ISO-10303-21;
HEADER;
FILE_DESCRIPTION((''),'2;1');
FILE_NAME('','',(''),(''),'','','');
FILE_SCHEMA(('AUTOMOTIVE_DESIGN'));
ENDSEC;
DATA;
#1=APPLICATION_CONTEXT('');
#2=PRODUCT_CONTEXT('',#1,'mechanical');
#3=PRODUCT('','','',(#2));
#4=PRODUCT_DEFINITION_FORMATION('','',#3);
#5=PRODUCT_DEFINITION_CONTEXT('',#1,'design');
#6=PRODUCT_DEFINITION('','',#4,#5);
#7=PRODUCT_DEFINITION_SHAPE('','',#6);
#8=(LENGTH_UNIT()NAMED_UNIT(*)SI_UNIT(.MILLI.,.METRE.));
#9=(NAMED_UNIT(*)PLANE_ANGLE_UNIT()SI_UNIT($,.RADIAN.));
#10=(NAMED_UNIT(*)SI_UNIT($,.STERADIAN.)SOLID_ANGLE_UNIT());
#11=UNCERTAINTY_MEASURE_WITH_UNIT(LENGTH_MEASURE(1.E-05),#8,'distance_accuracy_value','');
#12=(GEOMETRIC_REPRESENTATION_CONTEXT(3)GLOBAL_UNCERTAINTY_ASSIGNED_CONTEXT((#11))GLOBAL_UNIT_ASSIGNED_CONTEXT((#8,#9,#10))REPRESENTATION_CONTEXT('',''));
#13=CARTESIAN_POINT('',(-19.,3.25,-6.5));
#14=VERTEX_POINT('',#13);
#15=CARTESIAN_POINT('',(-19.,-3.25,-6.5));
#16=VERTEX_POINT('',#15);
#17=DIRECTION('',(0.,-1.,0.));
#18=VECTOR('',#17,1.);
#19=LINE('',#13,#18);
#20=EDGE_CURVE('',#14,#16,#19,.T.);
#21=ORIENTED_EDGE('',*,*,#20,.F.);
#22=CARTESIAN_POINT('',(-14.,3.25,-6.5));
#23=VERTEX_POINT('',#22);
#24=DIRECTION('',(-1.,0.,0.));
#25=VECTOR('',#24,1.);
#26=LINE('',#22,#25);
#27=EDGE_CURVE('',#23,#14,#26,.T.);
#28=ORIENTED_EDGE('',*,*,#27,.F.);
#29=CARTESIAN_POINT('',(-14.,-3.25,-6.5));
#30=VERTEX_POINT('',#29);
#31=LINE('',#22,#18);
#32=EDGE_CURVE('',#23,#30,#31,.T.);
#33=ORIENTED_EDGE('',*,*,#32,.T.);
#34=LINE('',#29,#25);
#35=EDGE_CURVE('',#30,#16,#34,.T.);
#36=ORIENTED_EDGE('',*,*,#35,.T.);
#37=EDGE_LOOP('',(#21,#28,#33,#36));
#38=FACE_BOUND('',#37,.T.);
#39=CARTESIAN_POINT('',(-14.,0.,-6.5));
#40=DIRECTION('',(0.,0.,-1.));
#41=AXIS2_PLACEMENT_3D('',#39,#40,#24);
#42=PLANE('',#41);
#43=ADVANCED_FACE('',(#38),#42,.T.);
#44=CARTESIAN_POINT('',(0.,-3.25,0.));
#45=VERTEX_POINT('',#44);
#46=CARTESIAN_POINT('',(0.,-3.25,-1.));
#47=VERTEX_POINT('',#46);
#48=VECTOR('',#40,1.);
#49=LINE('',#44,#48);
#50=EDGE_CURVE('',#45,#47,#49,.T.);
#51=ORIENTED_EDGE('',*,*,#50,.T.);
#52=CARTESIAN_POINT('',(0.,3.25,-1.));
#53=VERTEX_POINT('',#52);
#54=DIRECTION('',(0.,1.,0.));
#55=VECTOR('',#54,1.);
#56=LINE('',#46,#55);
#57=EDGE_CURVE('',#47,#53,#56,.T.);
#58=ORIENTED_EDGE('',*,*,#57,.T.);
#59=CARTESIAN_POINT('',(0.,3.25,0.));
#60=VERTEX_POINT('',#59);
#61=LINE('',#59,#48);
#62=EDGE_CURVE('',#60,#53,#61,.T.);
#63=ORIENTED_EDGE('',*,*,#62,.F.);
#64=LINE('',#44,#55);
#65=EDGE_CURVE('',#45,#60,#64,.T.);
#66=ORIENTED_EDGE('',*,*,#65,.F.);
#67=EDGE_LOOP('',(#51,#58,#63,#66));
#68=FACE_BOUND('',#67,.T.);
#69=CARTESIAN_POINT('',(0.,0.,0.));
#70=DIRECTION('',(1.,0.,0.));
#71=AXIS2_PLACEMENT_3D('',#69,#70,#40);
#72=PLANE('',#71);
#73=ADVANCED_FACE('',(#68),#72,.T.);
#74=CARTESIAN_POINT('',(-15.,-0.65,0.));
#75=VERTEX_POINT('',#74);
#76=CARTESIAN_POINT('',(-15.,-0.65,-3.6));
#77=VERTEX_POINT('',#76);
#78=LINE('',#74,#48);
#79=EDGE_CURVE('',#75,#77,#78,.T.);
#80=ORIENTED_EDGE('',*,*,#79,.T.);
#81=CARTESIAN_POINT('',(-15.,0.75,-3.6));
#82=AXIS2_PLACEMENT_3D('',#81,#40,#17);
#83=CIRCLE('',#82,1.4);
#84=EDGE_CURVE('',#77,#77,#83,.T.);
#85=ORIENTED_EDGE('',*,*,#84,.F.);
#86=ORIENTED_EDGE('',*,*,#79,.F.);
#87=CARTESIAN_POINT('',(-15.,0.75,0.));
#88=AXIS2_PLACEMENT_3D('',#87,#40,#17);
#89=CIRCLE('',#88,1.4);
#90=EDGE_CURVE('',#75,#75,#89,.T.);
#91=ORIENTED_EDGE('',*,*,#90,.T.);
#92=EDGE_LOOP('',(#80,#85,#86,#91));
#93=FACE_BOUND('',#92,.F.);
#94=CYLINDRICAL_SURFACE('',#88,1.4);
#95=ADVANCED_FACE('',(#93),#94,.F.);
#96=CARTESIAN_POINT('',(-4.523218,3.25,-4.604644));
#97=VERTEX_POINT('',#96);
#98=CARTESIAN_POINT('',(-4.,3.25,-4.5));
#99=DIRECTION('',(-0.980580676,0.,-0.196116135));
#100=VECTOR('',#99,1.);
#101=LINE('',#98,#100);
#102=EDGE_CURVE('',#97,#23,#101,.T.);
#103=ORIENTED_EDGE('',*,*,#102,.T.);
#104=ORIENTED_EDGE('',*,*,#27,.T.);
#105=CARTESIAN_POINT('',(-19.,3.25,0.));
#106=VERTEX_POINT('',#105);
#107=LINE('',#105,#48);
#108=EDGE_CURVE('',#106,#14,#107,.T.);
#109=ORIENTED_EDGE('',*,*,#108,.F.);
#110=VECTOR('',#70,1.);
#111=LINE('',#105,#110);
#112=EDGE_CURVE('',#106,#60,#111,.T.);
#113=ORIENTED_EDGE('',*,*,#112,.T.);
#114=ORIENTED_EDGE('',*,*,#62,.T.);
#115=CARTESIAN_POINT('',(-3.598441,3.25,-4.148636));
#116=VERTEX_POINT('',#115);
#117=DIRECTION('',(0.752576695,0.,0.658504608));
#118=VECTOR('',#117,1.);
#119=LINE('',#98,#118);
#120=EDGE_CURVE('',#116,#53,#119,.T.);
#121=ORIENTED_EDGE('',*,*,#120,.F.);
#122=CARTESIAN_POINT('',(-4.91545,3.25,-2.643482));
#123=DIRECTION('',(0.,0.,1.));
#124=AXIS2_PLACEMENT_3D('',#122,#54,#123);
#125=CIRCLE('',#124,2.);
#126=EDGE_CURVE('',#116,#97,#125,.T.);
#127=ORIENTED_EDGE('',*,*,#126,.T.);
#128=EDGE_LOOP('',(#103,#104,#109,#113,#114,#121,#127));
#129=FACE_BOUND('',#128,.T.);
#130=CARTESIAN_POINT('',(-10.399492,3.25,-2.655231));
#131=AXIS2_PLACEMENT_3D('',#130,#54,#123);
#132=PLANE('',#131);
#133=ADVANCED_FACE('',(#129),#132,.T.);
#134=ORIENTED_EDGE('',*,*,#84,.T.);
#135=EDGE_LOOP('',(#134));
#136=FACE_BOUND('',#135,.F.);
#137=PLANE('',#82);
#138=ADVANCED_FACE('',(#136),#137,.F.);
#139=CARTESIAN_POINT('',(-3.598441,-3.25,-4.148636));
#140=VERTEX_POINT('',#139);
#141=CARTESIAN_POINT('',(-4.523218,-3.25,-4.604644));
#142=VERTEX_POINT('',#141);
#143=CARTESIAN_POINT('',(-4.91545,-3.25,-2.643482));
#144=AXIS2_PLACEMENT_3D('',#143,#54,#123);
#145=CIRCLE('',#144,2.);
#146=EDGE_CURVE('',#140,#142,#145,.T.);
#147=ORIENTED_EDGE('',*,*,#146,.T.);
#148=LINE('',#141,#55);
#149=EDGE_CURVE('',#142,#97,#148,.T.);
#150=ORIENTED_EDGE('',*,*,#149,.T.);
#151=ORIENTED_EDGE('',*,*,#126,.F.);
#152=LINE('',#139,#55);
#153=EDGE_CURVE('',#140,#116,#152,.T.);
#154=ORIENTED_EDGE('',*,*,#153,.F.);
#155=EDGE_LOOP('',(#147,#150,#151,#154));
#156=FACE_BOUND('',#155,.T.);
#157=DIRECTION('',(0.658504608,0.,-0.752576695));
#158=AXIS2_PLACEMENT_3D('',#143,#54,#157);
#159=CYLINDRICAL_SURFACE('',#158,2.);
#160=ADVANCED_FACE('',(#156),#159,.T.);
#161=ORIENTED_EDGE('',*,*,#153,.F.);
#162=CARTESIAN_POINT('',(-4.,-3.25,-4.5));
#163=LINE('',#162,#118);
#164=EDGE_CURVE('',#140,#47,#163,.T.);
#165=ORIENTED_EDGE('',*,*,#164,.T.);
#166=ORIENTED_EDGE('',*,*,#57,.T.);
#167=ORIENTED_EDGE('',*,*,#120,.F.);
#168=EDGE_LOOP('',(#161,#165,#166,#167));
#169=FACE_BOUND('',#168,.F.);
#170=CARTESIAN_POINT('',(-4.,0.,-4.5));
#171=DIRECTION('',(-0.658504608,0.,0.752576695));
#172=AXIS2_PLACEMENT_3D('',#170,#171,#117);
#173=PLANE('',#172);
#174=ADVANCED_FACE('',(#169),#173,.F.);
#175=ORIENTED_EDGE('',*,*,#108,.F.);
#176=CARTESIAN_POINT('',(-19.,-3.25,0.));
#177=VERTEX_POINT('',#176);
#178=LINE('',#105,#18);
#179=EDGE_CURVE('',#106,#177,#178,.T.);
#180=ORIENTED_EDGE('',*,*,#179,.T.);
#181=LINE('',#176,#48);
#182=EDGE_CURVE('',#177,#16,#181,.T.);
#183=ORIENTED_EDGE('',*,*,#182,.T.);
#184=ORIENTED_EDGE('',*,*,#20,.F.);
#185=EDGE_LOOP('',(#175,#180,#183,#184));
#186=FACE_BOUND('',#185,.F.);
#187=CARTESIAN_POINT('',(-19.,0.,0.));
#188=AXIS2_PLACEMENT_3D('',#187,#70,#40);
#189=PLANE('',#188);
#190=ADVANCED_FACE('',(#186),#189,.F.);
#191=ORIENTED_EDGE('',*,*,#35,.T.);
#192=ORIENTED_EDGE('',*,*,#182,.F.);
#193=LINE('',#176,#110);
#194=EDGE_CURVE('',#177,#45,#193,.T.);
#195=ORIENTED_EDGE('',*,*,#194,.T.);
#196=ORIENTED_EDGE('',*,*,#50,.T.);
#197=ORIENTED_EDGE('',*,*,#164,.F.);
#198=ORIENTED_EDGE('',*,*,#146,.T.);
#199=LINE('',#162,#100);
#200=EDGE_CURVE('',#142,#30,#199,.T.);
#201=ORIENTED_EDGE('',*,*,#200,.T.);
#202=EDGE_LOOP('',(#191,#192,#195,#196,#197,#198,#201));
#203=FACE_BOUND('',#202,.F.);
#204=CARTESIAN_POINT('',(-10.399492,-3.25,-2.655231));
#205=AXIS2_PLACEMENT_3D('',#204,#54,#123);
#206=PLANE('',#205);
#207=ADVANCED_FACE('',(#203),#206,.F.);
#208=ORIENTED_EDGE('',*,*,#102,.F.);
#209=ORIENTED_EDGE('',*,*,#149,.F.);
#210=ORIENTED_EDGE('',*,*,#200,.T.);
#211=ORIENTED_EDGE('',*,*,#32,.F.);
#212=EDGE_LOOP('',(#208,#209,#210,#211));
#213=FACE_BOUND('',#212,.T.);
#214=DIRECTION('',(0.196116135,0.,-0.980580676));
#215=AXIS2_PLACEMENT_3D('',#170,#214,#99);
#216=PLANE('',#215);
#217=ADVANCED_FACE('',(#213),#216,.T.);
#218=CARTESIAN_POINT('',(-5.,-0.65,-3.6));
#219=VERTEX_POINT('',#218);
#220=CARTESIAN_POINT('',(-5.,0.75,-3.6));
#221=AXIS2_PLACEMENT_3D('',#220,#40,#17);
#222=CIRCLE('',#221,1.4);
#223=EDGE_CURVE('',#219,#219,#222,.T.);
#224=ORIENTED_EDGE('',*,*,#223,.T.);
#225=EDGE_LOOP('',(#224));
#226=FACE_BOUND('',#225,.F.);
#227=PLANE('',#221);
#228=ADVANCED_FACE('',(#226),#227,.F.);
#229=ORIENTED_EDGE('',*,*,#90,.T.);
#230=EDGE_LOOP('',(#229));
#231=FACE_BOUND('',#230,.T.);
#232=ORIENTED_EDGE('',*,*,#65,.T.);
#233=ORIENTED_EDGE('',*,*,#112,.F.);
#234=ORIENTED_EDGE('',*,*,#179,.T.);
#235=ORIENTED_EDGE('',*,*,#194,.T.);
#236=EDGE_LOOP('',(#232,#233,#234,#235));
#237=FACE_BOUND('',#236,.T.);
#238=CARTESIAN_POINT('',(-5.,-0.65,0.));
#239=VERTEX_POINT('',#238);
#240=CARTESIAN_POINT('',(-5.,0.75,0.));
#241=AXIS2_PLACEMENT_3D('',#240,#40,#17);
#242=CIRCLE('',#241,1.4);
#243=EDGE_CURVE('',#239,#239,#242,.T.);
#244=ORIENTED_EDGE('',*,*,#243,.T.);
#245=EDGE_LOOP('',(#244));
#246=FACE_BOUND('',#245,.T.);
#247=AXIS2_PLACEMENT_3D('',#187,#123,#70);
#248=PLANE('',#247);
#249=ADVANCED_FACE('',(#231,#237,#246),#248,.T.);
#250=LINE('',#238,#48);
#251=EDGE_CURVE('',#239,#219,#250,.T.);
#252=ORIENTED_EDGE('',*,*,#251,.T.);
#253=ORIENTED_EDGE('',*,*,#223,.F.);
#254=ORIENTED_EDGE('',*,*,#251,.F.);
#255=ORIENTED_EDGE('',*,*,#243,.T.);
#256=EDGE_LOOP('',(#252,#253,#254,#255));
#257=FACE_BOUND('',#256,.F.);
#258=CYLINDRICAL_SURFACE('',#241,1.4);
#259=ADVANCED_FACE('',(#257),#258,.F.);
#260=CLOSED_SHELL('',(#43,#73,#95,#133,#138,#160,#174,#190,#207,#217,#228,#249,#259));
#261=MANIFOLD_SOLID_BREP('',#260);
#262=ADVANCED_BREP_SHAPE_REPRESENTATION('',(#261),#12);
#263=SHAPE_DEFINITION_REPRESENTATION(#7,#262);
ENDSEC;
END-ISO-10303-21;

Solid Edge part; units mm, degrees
sketch "Sketch1" plane through (0, 0, 0) normal (0, -1, 0) x (1, 0, 0)
  line L0 (-19, 0) -> (0, 0)
  line L1 (0, 0) -> (0, -1)
  line L2 (-4, -4.5) -> (0, -1)
  line L3 (-4, -4.5) -> (-14, -6.5)
  line L4 (-14, -6.5) -> (-19, -6.5)
  line L5 (-19, 0) -> (-19, -6.5)
extrude "Protrusion1" add sketch "Sketch1" along normal mid plane 6.5
fillet "Verrundung_1" radius 2 1 edges at (-4, 0, -4.5)
hole "Bohrung_1" at (-5, 0.75, 0) direction (0, 0, -1) diameter 2.8 depth 3.6
hole "Hole1" at (-15, 0.75, 0) direction (0, 0, -1) diameter 2.8 depth 3.6
